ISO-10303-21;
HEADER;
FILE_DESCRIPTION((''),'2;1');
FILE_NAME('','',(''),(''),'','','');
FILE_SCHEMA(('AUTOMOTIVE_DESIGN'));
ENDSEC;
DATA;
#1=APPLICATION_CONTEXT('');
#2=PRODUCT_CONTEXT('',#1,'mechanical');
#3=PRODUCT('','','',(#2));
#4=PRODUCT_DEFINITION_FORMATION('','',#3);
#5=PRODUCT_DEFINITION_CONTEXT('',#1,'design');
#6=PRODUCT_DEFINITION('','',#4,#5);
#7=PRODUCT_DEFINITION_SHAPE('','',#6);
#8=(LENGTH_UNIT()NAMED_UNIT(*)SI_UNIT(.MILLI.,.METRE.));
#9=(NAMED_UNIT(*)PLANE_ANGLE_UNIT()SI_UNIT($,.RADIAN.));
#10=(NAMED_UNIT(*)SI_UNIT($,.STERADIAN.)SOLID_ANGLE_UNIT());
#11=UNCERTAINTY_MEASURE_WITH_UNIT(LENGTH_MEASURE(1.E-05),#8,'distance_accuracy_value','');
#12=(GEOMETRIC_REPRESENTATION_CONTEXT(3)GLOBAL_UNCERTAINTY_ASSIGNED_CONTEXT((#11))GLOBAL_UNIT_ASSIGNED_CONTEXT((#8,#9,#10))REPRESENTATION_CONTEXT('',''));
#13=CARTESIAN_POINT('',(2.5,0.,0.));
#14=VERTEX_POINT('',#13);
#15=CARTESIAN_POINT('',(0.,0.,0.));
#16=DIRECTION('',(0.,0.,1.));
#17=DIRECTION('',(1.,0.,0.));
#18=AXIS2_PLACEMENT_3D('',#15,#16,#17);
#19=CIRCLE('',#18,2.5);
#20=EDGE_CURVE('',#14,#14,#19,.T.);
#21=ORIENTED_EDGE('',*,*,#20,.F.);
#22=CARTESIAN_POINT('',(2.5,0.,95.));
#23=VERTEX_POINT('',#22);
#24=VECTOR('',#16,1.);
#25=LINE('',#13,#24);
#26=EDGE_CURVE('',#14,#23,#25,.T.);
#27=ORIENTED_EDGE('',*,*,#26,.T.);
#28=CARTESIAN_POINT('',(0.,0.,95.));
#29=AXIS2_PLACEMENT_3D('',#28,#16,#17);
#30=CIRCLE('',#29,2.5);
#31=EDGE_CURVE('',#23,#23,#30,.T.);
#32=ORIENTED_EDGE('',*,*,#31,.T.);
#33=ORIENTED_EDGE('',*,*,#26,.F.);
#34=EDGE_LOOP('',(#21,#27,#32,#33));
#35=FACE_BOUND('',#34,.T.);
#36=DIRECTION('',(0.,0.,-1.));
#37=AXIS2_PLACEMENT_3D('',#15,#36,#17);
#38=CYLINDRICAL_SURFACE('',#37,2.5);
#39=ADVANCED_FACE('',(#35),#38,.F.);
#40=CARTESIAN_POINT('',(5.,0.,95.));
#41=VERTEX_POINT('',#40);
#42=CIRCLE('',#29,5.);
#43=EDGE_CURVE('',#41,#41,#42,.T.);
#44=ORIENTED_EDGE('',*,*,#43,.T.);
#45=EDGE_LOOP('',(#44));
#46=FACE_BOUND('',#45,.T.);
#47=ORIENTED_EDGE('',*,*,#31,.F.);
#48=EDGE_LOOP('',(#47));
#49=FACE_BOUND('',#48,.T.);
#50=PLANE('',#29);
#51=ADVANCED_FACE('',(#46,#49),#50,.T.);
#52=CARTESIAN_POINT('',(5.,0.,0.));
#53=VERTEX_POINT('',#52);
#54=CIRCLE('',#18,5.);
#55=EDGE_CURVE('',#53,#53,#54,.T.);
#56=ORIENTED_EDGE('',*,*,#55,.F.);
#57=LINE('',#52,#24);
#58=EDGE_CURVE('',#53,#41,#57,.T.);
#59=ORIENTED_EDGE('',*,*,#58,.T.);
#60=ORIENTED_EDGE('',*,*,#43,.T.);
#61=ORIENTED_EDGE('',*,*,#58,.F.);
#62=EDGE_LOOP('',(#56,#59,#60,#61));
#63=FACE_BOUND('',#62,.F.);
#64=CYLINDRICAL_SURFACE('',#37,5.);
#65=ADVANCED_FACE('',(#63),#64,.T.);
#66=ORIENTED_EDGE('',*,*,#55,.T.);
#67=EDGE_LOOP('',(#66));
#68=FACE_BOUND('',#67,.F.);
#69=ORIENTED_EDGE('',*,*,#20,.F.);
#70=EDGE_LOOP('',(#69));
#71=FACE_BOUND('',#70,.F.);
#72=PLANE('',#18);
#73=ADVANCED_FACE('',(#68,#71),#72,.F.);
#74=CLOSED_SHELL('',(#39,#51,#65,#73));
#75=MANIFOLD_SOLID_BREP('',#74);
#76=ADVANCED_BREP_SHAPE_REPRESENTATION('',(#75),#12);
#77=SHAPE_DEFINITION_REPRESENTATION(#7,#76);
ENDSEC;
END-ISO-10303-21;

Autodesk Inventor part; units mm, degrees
ref_plane "YZ Plane" through (0, 0, 0) normal (1, 0, 0) x (0, 1, 0)
ref_plane "XZ Plane" through (0, 0, 0) normal (0, 1, 0) x (-1, 0, 0)
ref_plane "XY Plane" through (0, 0, 0) normal (0, 0, 1) x (1, 0, 0)
sketch "Sketch1" plane through (0, 0, 0) normal (0, 0, 1) x (1, 0, 0)
  circle A0 centre (0, 0) radius 5
  circle A1 centre (0, 0) radius 2.5
  dimension "d0" = 10
  dimension "d1" = 2.5
extrude "Extrusion1" add sketch "Sketch1" along normal blind 95
properties part number "şaftuzun" material "Polystyrene"
